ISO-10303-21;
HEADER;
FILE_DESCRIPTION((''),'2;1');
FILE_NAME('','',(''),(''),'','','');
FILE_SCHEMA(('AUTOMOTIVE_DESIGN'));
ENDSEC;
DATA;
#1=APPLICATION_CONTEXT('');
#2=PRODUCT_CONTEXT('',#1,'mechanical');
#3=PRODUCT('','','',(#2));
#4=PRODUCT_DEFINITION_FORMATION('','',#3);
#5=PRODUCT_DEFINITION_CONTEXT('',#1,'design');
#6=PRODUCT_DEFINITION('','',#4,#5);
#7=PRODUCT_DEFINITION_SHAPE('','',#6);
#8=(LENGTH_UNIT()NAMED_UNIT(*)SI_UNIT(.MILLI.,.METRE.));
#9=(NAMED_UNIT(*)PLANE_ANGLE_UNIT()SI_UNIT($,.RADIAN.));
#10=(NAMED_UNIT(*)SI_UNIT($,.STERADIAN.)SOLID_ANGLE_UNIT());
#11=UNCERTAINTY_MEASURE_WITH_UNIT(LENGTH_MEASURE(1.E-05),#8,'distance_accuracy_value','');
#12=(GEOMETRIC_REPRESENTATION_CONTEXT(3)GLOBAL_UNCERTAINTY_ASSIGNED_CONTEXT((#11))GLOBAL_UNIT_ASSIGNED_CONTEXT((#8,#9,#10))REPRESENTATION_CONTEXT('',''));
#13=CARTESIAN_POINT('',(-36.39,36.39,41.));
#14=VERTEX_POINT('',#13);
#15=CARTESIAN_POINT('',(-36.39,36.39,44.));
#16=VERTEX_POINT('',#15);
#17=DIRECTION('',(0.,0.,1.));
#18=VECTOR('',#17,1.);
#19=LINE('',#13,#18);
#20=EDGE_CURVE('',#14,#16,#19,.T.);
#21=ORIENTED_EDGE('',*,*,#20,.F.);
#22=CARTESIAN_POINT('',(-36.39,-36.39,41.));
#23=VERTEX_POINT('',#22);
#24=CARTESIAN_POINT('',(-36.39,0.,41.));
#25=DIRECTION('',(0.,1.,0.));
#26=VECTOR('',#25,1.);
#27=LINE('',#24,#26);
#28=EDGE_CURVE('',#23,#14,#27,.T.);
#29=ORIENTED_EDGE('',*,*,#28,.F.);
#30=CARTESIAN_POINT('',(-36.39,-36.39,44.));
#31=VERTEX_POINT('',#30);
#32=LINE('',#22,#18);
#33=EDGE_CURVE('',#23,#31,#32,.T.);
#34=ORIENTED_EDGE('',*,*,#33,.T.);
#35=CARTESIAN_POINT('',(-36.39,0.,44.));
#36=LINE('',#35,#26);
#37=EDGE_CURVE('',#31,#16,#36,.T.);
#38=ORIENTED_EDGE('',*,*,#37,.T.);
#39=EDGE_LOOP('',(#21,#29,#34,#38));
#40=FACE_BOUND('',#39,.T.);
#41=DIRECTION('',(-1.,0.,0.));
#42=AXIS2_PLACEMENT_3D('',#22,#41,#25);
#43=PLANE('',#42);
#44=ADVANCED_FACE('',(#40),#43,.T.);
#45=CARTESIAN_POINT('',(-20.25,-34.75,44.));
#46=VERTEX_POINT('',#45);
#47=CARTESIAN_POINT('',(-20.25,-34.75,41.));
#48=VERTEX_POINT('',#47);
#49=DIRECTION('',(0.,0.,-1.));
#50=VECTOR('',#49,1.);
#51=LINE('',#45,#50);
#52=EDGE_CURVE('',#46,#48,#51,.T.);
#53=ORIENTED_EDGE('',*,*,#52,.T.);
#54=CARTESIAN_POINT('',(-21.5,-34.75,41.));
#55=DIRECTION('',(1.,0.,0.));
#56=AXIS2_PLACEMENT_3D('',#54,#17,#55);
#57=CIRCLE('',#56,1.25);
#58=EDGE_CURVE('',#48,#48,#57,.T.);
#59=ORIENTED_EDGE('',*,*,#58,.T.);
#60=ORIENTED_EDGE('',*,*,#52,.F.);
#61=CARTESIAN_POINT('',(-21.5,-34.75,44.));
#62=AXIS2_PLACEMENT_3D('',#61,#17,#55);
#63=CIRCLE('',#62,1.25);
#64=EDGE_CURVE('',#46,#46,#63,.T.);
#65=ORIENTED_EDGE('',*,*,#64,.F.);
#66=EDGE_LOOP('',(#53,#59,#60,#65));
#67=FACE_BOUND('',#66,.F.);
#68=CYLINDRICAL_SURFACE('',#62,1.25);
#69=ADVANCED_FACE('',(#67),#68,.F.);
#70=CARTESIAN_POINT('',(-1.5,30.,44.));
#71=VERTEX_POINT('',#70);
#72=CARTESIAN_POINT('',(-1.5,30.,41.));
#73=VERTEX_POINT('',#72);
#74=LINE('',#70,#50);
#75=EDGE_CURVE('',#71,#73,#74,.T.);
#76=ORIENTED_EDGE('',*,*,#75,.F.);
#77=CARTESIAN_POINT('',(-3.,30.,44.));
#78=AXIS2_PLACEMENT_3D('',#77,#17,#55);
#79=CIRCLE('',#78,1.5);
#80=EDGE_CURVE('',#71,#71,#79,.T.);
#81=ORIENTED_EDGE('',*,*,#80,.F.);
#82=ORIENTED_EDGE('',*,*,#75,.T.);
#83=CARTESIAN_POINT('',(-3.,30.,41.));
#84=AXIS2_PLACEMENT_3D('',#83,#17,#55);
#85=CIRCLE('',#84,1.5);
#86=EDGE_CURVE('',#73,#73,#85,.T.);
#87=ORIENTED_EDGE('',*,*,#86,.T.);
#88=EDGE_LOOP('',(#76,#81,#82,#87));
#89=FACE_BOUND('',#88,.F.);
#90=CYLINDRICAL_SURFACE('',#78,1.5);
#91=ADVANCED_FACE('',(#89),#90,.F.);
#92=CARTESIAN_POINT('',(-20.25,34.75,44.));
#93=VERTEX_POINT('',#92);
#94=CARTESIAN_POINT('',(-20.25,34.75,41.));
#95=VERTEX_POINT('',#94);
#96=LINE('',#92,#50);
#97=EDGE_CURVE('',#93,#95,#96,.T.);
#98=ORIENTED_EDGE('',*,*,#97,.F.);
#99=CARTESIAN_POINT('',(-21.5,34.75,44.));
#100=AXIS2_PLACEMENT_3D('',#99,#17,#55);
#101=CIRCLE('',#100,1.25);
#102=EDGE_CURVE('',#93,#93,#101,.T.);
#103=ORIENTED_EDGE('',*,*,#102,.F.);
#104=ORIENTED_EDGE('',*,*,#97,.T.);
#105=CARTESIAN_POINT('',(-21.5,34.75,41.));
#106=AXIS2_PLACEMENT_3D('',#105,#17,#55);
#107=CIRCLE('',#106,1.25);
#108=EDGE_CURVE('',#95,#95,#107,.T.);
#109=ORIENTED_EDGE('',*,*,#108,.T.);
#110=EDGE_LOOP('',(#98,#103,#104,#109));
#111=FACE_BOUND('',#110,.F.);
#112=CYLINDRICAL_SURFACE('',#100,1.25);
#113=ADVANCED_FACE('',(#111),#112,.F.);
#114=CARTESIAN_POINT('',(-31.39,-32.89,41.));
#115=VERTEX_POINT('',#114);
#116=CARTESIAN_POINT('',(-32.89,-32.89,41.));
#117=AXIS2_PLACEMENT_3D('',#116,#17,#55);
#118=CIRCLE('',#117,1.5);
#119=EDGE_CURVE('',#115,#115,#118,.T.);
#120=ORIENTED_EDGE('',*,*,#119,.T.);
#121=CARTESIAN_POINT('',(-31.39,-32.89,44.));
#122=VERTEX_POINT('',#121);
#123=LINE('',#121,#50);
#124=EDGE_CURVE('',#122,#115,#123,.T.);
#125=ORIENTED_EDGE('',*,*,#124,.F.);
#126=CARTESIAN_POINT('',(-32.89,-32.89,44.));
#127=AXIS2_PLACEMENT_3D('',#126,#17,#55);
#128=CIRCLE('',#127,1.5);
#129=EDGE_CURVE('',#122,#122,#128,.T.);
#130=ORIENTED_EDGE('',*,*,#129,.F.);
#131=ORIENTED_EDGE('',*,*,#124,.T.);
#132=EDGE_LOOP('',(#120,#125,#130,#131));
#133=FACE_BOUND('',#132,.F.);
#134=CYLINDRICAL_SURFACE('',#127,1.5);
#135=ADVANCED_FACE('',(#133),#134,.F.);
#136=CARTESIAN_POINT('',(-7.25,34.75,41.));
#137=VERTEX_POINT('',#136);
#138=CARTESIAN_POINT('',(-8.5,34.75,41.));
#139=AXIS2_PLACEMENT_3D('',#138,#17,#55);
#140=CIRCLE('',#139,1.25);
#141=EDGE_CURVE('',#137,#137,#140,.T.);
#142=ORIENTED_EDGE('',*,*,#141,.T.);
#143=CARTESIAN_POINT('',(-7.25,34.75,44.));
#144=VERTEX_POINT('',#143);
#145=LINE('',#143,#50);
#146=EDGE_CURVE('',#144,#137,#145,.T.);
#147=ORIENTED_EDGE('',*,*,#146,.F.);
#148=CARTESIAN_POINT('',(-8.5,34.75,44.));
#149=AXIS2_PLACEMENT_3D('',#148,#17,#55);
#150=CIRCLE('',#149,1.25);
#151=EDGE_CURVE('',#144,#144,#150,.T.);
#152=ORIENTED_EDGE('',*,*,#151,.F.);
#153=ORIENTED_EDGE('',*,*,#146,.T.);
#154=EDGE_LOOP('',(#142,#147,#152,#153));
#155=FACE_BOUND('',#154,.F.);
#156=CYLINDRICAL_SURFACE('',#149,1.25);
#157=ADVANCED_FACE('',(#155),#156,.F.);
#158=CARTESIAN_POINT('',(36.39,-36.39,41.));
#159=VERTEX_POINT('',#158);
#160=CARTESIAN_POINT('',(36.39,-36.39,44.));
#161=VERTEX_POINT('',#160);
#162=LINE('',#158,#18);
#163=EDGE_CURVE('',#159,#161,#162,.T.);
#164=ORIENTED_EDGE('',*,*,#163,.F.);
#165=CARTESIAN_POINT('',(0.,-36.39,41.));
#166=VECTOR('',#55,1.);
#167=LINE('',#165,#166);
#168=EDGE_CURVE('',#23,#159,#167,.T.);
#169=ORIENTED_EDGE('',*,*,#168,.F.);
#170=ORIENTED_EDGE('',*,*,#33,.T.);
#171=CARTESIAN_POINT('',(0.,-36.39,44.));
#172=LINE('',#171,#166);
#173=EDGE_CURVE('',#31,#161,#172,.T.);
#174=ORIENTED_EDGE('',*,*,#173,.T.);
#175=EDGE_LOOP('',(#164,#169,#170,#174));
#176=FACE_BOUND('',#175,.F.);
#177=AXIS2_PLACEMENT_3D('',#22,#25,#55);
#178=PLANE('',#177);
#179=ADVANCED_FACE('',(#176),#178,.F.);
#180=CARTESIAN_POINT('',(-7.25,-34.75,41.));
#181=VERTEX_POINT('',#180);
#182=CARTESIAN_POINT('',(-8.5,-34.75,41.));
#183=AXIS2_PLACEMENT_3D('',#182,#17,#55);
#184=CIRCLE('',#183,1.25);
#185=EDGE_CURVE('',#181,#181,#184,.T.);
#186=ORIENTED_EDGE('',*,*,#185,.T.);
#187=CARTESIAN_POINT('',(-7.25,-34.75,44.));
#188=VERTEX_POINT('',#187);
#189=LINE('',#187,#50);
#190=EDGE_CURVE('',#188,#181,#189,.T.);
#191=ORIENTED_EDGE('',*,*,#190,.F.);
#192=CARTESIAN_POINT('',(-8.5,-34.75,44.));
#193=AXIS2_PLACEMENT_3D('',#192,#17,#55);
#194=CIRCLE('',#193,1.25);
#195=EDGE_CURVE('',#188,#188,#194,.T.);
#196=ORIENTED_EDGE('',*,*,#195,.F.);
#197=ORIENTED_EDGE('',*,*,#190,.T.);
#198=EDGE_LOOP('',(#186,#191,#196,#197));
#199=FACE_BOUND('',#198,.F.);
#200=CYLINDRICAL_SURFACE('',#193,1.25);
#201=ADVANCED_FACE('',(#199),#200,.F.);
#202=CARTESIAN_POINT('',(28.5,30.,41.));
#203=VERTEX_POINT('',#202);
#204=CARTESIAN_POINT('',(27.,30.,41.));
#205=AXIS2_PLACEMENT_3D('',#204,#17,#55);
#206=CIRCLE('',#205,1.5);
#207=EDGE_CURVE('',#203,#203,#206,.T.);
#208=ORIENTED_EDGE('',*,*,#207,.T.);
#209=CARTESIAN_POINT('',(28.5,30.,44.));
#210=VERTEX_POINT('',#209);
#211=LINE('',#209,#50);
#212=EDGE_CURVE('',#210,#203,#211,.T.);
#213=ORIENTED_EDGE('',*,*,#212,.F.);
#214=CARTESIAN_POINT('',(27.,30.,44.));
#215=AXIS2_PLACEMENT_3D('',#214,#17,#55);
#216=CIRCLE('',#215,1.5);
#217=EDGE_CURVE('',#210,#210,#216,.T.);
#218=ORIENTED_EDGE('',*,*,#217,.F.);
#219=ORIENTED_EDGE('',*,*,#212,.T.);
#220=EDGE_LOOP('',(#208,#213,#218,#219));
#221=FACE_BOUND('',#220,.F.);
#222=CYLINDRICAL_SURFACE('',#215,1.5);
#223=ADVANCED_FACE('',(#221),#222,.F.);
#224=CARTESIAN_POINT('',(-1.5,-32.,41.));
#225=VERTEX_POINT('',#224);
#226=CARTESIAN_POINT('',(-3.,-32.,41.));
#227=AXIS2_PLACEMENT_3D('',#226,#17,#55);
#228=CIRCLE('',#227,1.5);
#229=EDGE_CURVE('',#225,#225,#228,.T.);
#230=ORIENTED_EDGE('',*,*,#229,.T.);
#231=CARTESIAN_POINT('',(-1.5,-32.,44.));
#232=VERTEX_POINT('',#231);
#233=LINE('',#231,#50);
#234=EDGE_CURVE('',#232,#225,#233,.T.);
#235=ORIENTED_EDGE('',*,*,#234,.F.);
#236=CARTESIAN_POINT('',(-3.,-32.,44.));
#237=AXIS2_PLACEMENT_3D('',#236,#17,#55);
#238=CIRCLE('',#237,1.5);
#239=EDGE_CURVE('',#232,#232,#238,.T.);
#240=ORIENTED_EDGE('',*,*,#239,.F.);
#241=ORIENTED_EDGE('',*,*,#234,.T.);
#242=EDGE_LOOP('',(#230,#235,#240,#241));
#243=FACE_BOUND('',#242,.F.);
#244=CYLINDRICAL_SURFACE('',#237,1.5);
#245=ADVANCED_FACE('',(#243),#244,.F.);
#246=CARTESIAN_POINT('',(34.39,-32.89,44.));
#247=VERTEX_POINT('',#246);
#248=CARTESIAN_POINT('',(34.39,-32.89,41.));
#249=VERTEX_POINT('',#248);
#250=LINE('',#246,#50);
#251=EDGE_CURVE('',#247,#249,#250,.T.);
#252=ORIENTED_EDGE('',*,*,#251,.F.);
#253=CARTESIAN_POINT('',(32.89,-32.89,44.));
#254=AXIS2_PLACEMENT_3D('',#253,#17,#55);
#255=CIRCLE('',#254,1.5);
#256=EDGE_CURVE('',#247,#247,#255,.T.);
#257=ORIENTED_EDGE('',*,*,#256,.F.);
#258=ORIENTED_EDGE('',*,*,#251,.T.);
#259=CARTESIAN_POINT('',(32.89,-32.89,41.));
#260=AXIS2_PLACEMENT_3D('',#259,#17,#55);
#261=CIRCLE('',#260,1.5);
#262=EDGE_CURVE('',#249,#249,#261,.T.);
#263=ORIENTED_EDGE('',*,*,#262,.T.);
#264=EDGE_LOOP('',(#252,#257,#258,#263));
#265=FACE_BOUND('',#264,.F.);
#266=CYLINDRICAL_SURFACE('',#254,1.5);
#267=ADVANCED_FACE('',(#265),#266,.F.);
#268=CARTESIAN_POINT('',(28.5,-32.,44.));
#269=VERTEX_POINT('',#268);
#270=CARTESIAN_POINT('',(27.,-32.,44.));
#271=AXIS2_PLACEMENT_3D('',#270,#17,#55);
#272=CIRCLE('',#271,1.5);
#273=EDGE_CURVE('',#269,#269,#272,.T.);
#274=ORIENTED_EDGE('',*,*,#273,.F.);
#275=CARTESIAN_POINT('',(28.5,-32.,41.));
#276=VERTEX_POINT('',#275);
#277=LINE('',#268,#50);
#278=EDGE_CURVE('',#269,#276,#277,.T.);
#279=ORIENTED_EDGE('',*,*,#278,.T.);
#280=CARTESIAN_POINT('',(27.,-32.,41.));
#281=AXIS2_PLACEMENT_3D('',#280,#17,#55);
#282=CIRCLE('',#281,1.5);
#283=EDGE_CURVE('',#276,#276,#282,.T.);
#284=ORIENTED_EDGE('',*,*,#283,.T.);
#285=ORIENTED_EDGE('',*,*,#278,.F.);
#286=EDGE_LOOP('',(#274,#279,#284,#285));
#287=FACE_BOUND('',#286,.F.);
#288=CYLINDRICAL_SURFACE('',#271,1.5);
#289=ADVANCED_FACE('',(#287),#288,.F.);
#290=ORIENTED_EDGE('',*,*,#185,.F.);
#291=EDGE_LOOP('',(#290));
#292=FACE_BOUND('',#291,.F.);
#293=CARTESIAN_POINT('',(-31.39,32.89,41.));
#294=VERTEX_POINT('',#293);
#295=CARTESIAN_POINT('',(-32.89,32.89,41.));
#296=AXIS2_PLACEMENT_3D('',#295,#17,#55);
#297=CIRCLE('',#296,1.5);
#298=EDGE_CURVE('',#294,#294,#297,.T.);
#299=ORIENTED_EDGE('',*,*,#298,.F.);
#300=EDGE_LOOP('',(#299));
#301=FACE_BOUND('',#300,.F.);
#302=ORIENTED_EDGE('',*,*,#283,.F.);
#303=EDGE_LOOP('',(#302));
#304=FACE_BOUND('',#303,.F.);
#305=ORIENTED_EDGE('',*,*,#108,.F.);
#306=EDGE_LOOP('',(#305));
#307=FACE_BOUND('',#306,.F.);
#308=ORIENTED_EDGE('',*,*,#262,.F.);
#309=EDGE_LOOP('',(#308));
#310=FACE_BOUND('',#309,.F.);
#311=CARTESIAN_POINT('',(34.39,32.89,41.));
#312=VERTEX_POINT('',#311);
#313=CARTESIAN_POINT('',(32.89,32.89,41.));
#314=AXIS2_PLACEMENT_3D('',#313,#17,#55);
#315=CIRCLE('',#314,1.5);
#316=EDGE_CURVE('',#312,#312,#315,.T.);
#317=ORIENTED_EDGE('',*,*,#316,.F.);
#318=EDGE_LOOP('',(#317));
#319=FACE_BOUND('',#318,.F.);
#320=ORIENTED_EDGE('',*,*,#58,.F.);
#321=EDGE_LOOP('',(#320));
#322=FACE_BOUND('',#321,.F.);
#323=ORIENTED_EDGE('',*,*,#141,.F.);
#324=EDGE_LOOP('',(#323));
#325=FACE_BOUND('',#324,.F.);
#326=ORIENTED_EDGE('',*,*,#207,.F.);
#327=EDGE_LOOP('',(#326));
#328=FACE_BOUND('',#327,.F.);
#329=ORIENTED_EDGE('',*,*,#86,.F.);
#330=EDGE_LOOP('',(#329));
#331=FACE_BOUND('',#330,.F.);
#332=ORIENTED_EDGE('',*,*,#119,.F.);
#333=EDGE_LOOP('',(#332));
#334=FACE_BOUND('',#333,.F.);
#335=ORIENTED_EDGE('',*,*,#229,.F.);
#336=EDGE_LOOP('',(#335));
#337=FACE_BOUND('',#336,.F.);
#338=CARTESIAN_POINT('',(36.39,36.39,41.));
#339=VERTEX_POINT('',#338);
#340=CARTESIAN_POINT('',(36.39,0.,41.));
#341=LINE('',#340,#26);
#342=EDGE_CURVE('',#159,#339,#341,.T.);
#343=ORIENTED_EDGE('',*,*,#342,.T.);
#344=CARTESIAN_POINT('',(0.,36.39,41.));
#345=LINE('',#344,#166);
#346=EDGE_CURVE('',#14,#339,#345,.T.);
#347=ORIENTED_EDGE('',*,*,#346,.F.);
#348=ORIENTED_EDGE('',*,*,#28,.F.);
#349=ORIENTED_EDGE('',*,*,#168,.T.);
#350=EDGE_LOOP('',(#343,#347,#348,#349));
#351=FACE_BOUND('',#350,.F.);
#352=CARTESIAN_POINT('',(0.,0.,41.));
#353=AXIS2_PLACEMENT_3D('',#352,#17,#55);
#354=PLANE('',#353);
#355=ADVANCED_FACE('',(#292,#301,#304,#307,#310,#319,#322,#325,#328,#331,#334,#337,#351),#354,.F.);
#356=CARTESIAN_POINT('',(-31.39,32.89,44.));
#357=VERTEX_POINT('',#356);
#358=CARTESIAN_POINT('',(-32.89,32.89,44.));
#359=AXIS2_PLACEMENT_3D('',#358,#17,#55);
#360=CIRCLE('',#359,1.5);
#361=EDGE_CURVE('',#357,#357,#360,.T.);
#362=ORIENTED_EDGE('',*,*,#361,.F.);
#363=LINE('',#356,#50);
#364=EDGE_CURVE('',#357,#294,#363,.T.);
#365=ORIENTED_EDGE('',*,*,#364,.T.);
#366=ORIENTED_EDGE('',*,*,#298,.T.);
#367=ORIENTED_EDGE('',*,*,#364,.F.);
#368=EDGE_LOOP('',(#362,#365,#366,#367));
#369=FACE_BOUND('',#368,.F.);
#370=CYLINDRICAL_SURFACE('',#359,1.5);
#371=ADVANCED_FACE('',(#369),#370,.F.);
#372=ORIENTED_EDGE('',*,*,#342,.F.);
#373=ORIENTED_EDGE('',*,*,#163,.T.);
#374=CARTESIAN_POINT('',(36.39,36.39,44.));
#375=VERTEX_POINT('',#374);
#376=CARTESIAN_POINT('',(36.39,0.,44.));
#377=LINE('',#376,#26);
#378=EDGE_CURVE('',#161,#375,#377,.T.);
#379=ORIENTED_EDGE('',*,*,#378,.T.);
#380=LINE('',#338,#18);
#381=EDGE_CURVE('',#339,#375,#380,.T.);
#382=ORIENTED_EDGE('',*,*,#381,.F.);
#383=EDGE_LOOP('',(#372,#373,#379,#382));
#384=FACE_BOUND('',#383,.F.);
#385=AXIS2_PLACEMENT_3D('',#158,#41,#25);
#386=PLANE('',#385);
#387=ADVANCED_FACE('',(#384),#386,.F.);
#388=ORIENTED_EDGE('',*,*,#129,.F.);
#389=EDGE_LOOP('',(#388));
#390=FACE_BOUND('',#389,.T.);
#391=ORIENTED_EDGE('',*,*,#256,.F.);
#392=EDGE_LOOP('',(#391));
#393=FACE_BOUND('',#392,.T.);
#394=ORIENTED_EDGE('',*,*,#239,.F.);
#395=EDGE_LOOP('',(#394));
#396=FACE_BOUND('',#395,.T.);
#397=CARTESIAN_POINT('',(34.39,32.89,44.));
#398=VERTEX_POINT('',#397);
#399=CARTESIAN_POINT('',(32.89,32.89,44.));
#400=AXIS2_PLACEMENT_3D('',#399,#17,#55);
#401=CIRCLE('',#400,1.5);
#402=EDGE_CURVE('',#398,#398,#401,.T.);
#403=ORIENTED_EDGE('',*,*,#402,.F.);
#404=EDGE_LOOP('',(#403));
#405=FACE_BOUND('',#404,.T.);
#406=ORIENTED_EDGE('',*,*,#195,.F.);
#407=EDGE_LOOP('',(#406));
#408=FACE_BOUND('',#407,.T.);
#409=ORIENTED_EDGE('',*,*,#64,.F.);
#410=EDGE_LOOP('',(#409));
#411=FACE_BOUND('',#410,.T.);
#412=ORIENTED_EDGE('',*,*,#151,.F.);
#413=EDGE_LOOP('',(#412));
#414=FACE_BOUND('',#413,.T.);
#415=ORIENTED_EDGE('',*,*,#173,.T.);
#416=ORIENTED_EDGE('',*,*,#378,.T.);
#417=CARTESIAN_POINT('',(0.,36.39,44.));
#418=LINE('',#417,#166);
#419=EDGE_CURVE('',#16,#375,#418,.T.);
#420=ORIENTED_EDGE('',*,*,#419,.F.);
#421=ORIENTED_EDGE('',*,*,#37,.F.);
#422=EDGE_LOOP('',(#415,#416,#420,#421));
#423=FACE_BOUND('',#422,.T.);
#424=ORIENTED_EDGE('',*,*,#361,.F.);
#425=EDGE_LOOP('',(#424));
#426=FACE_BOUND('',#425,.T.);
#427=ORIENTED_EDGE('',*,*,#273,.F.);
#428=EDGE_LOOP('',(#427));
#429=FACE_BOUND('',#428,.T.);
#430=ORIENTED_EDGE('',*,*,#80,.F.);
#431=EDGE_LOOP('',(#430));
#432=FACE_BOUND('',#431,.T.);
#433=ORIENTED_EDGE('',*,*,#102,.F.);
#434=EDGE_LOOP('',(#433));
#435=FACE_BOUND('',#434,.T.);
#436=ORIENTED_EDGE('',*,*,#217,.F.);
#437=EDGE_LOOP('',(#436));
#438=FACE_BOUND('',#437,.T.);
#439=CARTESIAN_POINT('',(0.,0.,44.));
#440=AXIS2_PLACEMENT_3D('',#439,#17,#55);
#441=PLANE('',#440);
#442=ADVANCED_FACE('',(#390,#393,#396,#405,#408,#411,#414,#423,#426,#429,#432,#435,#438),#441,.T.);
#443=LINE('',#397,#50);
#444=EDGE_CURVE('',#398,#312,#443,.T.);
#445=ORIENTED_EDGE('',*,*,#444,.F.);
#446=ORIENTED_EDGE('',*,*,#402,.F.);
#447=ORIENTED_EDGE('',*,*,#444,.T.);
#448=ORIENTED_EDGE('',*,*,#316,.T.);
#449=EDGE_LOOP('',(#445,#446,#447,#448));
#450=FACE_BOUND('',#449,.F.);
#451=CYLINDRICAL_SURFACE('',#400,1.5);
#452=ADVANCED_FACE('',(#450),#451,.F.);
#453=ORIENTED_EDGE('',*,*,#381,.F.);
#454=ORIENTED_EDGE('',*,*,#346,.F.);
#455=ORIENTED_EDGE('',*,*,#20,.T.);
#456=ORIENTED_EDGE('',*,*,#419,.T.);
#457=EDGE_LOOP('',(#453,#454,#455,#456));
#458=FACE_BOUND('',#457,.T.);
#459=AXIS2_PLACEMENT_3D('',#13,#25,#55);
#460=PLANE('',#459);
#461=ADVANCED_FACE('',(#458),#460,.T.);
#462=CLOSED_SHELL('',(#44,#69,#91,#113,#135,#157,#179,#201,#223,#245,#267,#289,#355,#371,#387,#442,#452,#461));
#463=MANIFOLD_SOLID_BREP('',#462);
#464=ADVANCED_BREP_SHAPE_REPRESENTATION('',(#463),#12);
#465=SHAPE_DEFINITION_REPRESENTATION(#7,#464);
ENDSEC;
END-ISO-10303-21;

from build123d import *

# Parameters (mm, degrees)
SKETCH019_W     = 72.78
SKETCH019_H     = 72.78
PAD009_DEPTH    = 3
SKETCH040_R     = 1.5
POCKET007_DEPTH = 3.001
SKETCH046_R     = 1.5
POCKET008_DEPTH = 3.001
SKETCH079_R     = 1.25
POCKET016_DEPTH = 3.001


with BuildPart() as part:
    # Sketch019 → Pad009 (new body)
    with BuildSketch(Plane.XY):
        Rectangle(SKETCH019_W, SKETCH019_H)
    extrude(amount=PAD009_DEPTH)

    # Sketch040 → Pocket007 (cut, through all)
    with BuildSketch(Plane.XY.offset(3)):
        with Locations((-32.89, 32.89)):
            Circle(SKETCH040_R)
        with Locations((32.89, 32.89)):
            Circle(SKETCH040_R)
        with Locations((-32.89, -32.89)):
            Circle(SKETCH040_R)
        with Locations((32.89, -32.89)):
            Circle(SKETCH040_R)
    extrude(amount=-POCKET007_DEPTH, mode=Mode.SUBTRACT)

    # Sketch046 (on Face5 of Pocket007) → Pocket008 (cut, through all)
    with BuildSketch(Plane.XY.offset(3)):
        with Locations((-3, 30)):
            Circle(SKETCH046_R)
        with Locations((27, 30)):
            Circle(SKETCH046_R)
        with Locations((-3, -32)):
            Circle(SKETCH046_R)
        with Locations((27, -32)):
            Circle(SKETCH046_R)
    extrude(amount=-POCKET008_DEPTH, mode=Mode.SUBTRACT)

    # Sketch079 (on Face5 of Pocket008) → Pocket016 (cut, through all)
    with BuildSketch(Plane.XY.offset(3)):
        with Locations((-21.5, 34.75)):
            Circle(SKETCH079_R)
        with Locations((-8.5, 34.75)):
            Circle(SKETCH079_R)
        with Locations((-21.5, -34.75)):
            Circle(SKETCH079_R)
        with Locations((-8.5, -34.75)):
            Circle(SKETCH079_R)
    extrude(amount=-POCKET016_DEPTH, mode=Mode.SUBTRACT)


with BuildPart() as part_1:
    # Body002 placement: moved
    add(part.part.moved(Location((0, 0, 41))))


solid = part_1.part
